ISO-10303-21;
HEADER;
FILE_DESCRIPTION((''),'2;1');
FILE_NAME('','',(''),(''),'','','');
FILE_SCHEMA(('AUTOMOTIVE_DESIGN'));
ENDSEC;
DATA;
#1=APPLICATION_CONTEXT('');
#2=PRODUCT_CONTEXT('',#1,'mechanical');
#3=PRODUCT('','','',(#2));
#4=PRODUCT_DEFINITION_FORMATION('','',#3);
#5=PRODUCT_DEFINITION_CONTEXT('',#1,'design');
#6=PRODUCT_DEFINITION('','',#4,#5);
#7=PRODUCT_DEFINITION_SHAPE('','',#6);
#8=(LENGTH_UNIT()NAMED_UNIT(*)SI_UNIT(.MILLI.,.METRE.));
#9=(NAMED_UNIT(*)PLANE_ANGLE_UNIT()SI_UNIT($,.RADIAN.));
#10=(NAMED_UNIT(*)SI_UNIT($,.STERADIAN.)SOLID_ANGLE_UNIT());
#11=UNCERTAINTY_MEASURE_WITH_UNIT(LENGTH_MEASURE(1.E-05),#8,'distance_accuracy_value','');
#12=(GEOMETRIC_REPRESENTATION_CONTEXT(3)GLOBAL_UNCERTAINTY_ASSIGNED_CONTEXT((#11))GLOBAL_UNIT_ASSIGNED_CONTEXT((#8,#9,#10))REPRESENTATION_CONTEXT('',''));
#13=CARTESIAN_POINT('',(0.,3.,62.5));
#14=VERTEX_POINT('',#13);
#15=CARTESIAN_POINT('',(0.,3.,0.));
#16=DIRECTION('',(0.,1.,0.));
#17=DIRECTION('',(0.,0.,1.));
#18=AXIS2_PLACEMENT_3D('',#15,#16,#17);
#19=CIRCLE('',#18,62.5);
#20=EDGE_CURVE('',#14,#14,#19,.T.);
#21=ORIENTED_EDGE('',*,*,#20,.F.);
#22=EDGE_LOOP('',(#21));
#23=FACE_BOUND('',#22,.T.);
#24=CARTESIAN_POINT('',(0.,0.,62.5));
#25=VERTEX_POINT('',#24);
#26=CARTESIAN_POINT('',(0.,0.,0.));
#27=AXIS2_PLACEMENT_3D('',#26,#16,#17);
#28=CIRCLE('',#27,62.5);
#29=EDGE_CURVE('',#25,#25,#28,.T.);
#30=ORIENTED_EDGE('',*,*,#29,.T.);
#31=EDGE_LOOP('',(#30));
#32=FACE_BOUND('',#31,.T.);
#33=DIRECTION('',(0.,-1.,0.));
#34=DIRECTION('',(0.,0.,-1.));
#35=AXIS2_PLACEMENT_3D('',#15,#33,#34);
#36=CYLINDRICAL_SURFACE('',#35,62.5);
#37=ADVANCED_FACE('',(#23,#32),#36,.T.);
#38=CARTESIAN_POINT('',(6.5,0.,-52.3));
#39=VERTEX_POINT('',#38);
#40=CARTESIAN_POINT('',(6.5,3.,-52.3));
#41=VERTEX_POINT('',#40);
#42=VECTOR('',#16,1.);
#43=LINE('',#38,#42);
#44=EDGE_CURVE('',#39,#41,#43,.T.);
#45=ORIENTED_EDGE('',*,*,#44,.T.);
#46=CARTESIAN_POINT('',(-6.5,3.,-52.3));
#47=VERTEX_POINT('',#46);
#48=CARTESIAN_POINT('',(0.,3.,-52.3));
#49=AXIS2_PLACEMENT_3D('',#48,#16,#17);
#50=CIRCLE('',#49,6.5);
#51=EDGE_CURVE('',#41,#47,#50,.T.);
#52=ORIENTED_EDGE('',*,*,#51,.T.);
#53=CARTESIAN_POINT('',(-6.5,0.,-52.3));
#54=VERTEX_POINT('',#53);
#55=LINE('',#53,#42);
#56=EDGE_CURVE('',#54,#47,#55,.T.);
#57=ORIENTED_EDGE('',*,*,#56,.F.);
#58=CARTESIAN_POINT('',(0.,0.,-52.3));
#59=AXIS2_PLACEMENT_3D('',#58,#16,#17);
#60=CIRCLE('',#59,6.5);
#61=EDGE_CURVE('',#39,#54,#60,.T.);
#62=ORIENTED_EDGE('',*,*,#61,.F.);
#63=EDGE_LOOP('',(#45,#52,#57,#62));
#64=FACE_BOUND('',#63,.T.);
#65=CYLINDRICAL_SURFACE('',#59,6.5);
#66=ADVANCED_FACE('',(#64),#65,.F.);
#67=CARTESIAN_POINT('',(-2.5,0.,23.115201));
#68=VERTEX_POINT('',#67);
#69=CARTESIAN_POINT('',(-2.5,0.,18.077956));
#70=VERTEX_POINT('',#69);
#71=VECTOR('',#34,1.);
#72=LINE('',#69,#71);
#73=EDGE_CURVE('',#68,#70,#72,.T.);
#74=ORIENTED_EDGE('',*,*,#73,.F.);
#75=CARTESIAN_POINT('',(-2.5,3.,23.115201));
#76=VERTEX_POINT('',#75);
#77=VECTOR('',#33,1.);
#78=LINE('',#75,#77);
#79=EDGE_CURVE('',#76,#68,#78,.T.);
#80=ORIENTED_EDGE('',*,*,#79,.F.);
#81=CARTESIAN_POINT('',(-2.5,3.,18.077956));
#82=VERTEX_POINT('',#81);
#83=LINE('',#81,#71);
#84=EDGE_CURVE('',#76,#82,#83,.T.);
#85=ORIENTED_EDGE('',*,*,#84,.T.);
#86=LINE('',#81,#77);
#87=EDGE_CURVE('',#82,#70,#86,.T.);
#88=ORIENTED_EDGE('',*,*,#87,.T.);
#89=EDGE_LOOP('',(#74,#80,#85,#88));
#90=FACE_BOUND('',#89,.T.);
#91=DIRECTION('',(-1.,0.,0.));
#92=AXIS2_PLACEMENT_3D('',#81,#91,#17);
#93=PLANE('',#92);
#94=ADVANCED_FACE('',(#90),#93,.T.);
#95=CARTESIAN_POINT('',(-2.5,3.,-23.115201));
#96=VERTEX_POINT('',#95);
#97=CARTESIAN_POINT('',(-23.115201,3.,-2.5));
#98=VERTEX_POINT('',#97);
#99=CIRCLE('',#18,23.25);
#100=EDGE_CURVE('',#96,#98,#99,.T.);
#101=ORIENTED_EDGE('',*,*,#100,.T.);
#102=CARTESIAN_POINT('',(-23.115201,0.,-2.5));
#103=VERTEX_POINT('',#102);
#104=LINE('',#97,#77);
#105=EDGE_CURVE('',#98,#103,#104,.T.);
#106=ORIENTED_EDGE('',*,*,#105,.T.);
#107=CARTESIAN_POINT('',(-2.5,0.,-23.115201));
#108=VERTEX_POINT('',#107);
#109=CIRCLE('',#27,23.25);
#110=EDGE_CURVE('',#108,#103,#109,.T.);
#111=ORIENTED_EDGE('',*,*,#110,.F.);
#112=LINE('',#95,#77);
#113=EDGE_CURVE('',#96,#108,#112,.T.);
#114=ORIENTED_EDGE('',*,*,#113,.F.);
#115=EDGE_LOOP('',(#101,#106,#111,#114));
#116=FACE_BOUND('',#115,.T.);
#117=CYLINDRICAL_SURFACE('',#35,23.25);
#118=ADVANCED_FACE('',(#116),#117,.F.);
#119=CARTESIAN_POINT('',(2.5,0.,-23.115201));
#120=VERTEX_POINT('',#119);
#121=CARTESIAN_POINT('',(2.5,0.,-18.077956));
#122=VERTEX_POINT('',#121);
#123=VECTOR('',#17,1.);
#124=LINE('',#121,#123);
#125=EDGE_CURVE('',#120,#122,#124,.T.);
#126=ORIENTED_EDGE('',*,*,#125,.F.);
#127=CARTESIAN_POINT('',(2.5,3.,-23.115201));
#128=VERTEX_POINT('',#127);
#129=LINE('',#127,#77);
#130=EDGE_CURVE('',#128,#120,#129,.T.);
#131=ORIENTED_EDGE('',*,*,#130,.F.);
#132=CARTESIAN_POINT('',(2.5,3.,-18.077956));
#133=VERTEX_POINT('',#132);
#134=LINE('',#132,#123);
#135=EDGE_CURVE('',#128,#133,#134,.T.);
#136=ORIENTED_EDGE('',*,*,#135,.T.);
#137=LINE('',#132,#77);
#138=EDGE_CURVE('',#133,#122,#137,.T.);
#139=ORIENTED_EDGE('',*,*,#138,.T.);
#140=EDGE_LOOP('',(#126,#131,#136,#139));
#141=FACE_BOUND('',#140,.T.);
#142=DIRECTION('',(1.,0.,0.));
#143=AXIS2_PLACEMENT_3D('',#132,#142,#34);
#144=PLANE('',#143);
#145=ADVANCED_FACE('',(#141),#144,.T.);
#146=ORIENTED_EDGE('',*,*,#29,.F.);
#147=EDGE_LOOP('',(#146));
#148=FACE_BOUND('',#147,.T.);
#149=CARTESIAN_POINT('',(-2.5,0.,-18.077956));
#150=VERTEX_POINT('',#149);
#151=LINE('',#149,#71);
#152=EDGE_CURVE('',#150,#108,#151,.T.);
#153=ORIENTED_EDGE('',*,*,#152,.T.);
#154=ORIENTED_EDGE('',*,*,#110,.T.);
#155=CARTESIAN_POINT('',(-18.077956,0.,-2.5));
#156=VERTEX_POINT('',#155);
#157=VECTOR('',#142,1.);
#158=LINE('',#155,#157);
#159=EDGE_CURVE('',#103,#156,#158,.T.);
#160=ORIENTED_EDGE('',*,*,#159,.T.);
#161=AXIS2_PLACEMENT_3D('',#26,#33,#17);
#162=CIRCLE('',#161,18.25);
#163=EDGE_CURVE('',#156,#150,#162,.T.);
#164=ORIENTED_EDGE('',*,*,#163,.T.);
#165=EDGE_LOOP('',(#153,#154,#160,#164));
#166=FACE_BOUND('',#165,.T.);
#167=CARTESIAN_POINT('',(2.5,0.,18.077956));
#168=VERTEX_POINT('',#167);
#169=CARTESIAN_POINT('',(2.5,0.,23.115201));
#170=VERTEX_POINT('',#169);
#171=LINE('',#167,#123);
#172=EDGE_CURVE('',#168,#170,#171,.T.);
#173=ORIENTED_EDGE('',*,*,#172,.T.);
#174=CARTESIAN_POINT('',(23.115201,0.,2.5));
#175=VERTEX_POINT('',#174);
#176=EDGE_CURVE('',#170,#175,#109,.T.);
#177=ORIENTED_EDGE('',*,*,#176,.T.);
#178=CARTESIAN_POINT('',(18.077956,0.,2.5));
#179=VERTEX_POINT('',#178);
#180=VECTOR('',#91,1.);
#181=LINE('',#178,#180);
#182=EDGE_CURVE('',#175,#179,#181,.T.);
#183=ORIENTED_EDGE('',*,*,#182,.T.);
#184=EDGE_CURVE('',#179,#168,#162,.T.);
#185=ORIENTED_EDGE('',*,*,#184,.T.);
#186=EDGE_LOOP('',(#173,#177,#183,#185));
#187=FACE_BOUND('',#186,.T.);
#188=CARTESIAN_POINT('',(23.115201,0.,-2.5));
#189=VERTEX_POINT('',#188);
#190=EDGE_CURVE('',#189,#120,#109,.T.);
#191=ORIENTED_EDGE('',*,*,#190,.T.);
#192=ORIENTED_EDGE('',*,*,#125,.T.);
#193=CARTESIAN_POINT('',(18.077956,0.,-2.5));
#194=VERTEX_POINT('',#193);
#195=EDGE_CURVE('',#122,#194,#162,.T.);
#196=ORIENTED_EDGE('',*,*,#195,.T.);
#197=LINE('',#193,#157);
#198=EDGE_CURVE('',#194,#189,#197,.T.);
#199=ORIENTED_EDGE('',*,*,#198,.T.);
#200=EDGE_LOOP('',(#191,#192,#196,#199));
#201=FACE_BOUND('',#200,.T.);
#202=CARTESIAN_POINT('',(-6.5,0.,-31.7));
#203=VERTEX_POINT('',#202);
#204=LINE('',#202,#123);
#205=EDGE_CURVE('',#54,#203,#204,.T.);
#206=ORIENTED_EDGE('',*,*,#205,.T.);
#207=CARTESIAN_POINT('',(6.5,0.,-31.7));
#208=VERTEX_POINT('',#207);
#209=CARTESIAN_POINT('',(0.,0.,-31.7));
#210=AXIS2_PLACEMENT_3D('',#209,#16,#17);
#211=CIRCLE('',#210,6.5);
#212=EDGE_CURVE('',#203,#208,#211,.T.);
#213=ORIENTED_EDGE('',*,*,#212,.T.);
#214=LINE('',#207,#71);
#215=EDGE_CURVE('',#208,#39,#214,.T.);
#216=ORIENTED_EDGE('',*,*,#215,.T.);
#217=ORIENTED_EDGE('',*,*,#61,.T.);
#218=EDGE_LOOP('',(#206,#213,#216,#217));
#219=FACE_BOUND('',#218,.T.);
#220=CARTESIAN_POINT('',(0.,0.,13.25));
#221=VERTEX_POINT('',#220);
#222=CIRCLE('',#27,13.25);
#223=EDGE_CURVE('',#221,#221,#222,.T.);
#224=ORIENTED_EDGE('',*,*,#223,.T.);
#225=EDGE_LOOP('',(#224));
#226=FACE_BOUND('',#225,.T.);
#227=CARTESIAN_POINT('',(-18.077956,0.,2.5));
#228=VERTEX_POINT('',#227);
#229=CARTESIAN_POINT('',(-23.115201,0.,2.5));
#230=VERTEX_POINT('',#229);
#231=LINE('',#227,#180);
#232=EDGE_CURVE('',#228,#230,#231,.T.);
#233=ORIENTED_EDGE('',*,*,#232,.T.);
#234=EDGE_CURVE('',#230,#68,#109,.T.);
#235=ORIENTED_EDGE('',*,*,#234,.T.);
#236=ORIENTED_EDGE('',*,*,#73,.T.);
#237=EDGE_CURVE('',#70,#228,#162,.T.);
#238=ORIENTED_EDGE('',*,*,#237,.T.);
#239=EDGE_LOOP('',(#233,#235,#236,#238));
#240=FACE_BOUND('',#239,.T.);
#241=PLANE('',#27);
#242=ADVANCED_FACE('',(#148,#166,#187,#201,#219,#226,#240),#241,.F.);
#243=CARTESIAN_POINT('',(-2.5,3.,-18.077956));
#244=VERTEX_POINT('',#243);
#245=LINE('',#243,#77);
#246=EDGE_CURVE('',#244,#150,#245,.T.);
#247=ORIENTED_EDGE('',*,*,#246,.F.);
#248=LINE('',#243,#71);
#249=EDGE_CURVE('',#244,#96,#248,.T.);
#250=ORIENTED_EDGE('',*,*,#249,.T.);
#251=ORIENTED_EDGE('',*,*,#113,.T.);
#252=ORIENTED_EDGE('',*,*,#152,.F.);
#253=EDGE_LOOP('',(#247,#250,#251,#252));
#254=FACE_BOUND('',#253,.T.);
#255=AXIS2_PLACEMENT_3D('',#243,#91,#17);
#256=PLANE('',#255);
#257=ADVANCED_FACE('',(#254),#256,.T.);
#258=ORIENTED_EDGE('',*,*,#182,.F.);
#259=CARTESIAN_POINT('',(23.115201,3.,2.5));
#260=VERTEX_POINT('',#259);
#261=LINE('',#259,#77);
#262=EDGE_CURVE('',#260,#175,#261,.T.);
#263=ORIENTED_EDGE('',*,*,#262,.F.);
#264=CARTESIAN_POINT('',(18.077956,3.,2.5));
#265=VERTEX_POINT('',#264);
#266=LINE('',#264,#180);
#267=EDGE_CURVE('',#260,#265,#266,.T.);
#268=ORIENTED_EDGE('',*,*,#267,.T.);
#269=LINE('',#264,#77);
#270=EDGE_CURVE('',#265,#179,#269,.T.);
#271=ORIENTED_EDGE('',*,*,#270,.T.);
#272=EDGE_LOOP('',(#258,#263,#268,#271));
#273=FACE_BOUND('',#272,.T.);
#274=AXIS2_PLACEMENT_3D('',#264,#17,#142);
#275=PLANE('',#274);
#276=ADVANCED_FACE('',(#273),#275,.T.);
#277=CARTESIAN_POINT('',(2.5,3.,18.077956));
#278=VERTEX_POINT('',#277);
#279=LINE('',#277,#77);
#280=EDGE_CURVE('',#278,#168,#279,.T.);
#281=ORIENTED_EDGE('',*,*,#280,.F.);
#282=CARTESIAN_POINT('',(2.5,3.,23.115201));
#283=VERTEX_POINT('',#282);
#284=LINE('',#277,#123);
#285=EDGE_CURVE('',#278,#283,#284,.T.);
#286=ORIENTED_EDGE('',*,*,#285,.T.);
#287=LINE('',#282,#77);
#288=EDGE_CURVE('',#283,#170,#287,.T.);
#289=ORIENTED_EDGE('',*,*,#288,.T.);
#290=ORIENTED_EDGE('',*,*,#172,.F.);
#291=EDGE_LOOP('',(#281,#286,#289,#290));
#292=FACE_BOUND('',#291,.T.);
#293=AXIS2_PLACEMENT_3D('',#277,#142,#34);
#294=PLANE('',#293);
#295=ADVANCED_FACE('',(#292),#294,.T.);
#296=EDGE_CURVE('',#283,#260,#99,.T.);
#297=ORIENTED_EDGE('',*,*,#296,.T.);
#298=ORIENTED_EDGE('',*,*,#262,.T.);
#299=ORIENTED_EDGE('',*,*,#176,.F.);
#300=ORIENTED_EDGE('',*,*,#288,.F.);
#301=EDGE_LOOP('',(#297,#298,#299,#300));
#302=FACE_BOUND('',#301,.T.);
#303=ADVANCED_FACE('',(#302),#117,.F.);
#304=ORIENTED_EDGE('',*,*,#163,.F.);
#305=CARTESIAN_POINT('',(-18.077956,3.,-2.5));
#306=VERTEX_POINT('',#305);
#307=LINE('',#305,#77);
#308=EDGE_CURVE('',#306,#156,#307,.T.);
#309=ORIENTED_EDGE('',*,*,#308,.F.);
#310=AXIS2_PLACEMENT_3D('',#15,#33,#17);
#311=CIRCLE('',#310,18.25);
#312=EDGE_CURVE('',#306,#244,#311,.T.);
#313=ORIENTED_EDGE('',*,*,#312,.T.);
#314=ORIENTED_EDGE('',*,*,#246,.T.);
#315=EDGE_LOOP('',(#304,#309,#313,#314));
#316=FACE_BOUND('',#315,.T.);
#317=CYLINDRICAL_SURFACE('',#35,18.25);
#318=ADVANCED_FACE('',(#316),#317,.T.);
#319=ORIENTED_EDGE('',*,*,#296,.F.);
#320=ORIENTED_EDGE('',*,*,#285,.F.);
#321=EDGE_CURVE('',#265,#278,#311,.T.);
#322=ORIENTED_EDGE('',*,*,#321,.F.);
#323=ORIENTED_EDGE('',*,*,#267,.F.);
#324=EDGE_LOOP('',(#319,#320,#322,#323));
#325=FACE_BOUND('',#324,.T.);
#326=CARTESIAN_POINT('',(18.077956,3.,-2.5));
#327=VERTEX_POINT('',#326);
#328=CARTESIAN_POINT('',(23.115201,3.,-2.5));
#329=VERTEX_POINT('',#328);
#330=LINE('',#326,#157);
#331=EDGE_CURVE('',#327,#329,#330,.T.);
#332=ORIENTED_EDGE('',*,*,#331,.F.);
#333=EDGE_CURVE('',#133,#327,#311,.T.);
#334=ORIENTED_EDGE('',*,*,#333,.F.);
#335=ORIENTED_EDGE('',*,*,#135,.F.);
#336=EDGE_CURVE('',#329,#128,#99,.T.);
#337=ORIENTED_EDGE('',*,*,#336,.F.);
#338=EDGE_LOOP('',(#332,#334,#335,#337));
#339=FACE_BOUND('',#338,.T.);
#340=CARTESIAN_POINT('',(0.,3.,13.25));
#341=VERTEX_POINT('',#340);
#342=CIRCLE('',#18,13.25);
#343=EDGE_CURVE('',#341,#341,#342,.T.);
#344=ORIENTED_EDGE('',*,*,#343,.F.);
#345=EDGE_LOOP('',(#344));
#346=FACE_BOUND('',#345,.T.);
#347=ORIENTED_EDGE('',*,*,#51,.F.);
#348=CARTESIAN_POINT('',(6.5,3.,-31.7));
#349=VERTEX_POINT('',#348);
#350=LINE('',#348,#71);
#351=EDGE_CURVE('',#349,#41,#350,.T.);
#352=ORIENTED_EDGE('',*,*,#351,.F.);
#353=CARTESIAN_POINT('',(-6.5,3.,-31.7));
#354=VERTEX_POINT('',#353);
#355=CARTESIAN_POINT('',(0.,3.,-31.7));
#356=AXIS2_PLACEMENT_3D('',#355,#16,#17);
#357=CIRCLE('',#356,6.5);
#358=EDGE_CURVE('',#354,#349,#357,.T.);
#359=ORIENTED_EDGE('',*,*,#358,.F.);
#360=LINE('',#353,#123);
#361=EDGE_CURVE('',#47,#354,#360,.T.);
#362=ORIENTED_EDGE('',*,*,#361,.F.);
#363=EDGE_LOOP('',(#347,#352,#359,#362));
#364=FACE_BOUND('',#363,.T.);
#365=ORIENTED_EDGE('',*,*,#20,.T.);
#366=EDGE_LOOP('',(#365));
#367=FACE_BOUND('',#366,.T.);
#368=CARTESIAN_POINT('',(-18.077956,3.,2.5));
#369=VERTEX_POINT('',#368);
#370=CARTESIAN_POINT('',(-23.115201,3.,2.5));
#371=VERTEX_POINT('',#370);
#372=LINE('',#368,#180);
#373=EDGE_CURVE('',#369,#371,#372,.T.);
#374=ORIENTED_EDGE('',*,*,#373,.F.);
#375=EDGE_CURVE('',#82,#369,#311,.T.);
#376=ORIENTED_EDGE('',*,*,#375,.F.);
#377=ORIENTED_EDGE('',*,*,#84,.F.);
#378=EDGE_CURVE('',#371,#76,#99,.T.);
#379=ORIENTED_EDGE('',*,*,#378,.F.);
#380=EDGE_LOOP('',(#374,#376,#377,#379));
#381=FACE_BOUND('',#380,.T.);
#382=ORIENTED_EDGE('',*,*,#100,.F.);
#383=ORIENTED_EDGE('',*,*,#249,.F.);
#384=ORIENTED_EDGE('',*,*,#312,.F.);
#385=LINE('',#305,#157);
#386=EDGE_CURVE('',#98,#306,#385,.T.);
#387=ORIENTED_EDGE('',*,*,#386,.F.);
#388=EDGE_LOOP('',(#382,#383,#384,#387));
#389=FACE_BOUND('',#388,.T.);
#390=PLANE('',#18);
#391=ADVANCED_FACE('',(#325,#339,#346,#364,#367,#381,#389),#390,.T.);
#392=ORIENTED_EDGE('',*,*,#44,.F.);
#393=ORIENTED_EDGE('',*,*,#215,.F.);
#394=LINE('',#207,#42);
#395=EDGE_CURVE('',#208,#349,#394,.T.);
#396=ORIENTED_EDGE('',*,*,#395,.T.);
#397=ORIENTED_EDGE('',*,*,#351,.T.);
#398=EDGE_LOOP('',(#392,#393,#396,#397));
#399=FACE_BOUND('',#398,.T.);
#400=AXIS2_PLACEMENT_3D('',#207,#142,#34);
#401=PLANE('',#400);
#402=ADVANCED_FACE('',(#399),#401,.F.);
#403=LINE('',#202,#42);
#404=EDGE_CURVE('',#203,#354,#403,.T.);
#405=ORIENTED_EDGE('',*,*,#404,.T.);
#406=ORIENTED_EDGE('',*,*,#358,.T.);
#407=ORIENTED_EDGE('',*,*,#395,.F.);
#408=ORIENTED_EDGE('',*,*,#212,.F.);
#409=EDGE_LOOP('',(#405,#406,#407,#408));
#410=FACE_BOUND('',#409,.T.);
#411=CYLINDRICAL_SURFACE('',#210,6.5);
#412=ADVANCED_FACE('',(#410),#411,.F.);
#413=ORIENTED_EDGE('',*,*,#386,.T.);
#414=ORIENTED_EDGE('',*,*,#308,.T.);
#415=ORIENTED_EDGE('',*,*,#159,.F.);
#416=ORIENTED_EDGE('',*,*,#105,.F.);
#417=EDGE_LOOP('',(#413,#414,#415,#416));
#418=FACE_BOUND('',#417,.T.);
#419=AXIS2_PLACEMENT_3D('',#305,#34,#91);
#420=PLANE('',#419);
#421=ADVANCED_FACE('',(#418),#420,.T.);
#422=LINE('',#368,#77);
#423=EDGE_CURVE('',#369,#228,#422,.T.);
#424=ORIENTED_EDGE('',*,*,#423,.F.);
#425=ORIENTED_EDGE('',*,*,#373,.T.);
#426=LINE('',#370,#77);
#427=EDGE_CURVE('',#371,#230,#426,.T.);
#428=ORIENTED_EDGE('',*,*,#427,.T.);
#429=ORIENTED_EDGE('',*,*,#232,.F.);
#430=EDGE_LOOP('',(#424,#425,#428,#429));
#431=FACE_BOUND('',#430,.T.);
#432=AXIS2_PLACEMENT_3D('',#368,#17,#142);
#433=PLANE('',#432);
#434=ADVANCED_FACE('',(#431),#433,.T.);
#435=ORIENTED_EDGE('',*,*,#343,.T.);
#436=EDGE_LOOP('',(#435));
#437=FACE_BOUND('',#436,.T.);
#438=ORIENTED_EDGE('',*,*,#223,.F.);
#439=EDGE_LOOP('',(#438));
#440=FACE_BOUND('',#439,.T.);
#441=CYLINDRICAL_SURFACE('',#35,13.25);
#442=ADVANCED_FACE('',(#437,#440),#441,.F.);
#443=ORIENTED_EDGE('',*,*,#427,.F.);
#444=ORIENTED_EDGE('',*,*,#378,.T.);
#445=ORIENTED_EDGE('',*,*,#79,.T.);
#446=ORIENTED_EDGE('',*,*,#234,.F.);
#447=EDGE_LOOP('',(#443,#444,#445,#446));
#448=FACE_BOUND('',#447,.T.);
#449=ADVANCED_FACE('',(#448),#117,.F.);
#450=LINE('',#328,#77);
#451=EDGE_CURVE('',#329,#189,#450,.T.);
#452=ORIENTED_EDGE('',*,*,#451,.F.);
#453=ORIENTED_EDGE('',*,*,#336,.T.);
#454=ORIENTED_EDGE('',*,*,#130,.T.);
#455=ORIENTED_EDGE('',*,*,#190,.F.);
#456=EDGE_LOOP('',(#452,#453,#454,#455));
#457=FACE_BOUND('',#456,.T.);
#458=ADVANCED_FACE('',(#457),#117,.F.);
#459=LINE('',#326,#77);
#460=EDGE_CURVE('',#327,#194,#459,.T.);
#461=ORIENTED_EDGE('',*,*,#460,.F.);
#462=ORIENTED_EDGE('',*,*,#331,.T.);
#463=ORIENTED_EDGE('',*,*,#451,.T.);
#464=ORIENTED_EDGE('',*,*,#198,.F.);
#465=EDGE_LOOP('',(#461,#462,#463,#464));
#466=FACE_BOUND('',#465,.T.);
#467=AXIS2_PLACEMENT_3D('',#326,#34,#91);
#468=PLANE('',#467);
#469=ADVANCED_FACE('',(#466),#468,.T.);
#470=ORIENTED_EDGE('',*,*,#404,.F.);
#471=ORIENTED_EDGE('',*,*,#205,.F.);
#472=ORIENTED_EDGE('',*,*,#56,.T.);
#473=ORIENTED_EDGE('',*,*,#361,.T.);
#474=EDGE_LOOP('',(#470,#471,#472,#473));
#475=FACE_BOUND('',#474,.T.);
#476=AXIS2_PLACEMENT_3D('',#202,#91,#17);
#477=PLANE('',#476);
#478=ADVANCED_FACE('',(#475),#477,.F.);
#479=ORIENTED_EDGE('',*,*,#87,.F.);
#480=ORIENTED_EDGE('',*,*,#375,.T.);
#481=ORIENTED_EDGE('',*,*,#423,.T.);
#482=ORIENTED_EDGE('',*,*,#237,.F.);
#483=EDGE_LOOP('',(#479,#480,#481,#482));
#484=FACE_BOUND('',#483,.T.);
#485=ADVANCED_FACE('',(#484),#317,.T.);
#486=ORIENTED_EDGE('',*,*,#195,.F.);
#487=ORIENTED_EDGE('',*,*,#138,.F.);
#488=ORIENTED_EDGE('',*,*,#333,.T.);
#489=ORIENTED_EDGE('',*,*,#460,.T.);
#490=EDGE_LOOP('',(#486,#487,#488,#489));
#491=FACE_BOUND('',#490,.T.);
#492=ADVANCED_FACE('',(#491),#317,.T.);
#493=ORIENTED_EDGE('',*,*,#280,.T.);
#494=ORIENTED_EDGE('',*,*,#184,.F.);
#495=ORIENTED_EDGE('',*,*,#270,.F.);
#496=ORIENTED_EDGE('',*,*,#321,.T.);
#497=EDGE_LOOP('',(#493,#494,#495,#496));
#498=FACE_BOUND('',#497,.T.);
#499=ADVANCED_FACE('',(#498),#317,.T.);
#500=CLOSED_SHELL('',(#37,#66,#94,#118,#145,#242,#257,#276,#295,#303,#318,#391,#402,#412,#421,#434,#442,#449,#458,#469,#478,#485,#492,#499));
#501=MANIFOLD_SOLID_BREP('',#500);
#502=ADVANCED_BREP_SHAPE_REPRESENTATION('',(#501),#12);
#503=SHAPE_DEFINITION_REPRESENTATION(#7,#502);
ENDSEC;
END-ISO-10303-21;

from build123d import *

# Parameters (mm, degrees)
SKETCH1_R           = 62.5
SKETCH1_R_2         = 13.25
BOSS_EXTRUDE1_DEPTH = 3
CUT_EXTRUDE1_DEPTH  = 89.439244682


with BuildPart() as part:
    # Sketch1 → Boss-Extrude1 (new body)
    with BuildSketch(Plane(origin=(0, 0, 0), x_dir=(1, 0, 0), z_dir=(0, 1, 0))):
        with Locations(Location((0, 0, 0), (0, 0, 270))):
            Circle(SKETCH1_R)
        with Locations(Location((0, 0, 0), (0, 0, 270))):
            Circle(SKETCH1_R_2, mode=Mode.SUBTRACT)
        with BuildLine():
            Line((-2.5, 18.07795619), (-2.5, 23.115200626))
            ThreePointArc((-2.5, 23.115200626), (-16.440232663, 16.440232663), (-23.115200626, 2.5))
            Line((-23.115200626, 2.5), (-18.07795619, 2.5))
            ThreePointArc((-18.07795619, 2.5), (-12.904698757, 12.904698757), (-2.5, 18.07795619))
        make_face(mode=Mode.SUBTRACT)
        with BuildLine():
            Line((2.5, 18.07795619), (2.5, 23.115200626))
            ThreePointArc((2.5, 23.115200626), (16.440232663, 16.440232663), (23.115200626, 2.5))
            Line((23.115200626, 2.5), (18.07795619, 2.5))
            ThreePointArc((18.07795619, 2.5), (12.904698757, 12.904698757), (2.5, 18.07795619))
        make_face(mode=Mode.SUBTRACT)
        with BuildLine():
            Line((18.07795619, -2.5), (23.115200626, -2.5))
            ThreePointArc((23.115200626, -2.5), (16.440232663, -16.440232663), (2.5, -23.115200626))
            Line((2.5, -23.115200626), (2.5, -18.07795619))
            ThreePointArc((2.5, -18.07795619), (12.904698757, -12.904698757), (18.07795619, -2.5))
        make_face(mode=Mode.SUBTRACT)
        with BuildLine():
            Line((-2.5, -18.07795619), (-2.5, -23.115200626))
            ThreePointArc((-2.5, -23.115200626), (-16.440232663, -16.440232663), (-23.115200626, -2.5))
            Line((-23.115200626, -2.5), (-18.07795619, -2.5))
            ThreePointArc((-18.07795619, -2.5), (-12.904698757, -12.904698757), (-2.5, -18.07795619))
        make_face(mode=Mode.SUBTRACT)
    extrude(amount=BOSS_EXTRUDE1_DEPTH)

    # Sketch4 → Cut-Extrude1 (cut, through all)
    with BuildSketch(Plane(origin=(0, 3, 0), x_dir=(1, 0, 0), z_dir=(0, 1, 0))):
        with BuildLine():
            Line((-6.5, 31.7), (-6.5, 52.3))
            ThreePointArc((-6.5, 52.3), (0, 58.8), (6.5, 52.3))
            Line((6.5, 52.3), (6.5, 31.7))
            ThreePointArc((6.5, 31.7), (0, 25.2), (-6.5, 31.7))
        make_face()
    extrude(amount=-CUT_EXTRUDE1_DEPTH, mode=Mode.SUBTRACT)


solid = part.part
